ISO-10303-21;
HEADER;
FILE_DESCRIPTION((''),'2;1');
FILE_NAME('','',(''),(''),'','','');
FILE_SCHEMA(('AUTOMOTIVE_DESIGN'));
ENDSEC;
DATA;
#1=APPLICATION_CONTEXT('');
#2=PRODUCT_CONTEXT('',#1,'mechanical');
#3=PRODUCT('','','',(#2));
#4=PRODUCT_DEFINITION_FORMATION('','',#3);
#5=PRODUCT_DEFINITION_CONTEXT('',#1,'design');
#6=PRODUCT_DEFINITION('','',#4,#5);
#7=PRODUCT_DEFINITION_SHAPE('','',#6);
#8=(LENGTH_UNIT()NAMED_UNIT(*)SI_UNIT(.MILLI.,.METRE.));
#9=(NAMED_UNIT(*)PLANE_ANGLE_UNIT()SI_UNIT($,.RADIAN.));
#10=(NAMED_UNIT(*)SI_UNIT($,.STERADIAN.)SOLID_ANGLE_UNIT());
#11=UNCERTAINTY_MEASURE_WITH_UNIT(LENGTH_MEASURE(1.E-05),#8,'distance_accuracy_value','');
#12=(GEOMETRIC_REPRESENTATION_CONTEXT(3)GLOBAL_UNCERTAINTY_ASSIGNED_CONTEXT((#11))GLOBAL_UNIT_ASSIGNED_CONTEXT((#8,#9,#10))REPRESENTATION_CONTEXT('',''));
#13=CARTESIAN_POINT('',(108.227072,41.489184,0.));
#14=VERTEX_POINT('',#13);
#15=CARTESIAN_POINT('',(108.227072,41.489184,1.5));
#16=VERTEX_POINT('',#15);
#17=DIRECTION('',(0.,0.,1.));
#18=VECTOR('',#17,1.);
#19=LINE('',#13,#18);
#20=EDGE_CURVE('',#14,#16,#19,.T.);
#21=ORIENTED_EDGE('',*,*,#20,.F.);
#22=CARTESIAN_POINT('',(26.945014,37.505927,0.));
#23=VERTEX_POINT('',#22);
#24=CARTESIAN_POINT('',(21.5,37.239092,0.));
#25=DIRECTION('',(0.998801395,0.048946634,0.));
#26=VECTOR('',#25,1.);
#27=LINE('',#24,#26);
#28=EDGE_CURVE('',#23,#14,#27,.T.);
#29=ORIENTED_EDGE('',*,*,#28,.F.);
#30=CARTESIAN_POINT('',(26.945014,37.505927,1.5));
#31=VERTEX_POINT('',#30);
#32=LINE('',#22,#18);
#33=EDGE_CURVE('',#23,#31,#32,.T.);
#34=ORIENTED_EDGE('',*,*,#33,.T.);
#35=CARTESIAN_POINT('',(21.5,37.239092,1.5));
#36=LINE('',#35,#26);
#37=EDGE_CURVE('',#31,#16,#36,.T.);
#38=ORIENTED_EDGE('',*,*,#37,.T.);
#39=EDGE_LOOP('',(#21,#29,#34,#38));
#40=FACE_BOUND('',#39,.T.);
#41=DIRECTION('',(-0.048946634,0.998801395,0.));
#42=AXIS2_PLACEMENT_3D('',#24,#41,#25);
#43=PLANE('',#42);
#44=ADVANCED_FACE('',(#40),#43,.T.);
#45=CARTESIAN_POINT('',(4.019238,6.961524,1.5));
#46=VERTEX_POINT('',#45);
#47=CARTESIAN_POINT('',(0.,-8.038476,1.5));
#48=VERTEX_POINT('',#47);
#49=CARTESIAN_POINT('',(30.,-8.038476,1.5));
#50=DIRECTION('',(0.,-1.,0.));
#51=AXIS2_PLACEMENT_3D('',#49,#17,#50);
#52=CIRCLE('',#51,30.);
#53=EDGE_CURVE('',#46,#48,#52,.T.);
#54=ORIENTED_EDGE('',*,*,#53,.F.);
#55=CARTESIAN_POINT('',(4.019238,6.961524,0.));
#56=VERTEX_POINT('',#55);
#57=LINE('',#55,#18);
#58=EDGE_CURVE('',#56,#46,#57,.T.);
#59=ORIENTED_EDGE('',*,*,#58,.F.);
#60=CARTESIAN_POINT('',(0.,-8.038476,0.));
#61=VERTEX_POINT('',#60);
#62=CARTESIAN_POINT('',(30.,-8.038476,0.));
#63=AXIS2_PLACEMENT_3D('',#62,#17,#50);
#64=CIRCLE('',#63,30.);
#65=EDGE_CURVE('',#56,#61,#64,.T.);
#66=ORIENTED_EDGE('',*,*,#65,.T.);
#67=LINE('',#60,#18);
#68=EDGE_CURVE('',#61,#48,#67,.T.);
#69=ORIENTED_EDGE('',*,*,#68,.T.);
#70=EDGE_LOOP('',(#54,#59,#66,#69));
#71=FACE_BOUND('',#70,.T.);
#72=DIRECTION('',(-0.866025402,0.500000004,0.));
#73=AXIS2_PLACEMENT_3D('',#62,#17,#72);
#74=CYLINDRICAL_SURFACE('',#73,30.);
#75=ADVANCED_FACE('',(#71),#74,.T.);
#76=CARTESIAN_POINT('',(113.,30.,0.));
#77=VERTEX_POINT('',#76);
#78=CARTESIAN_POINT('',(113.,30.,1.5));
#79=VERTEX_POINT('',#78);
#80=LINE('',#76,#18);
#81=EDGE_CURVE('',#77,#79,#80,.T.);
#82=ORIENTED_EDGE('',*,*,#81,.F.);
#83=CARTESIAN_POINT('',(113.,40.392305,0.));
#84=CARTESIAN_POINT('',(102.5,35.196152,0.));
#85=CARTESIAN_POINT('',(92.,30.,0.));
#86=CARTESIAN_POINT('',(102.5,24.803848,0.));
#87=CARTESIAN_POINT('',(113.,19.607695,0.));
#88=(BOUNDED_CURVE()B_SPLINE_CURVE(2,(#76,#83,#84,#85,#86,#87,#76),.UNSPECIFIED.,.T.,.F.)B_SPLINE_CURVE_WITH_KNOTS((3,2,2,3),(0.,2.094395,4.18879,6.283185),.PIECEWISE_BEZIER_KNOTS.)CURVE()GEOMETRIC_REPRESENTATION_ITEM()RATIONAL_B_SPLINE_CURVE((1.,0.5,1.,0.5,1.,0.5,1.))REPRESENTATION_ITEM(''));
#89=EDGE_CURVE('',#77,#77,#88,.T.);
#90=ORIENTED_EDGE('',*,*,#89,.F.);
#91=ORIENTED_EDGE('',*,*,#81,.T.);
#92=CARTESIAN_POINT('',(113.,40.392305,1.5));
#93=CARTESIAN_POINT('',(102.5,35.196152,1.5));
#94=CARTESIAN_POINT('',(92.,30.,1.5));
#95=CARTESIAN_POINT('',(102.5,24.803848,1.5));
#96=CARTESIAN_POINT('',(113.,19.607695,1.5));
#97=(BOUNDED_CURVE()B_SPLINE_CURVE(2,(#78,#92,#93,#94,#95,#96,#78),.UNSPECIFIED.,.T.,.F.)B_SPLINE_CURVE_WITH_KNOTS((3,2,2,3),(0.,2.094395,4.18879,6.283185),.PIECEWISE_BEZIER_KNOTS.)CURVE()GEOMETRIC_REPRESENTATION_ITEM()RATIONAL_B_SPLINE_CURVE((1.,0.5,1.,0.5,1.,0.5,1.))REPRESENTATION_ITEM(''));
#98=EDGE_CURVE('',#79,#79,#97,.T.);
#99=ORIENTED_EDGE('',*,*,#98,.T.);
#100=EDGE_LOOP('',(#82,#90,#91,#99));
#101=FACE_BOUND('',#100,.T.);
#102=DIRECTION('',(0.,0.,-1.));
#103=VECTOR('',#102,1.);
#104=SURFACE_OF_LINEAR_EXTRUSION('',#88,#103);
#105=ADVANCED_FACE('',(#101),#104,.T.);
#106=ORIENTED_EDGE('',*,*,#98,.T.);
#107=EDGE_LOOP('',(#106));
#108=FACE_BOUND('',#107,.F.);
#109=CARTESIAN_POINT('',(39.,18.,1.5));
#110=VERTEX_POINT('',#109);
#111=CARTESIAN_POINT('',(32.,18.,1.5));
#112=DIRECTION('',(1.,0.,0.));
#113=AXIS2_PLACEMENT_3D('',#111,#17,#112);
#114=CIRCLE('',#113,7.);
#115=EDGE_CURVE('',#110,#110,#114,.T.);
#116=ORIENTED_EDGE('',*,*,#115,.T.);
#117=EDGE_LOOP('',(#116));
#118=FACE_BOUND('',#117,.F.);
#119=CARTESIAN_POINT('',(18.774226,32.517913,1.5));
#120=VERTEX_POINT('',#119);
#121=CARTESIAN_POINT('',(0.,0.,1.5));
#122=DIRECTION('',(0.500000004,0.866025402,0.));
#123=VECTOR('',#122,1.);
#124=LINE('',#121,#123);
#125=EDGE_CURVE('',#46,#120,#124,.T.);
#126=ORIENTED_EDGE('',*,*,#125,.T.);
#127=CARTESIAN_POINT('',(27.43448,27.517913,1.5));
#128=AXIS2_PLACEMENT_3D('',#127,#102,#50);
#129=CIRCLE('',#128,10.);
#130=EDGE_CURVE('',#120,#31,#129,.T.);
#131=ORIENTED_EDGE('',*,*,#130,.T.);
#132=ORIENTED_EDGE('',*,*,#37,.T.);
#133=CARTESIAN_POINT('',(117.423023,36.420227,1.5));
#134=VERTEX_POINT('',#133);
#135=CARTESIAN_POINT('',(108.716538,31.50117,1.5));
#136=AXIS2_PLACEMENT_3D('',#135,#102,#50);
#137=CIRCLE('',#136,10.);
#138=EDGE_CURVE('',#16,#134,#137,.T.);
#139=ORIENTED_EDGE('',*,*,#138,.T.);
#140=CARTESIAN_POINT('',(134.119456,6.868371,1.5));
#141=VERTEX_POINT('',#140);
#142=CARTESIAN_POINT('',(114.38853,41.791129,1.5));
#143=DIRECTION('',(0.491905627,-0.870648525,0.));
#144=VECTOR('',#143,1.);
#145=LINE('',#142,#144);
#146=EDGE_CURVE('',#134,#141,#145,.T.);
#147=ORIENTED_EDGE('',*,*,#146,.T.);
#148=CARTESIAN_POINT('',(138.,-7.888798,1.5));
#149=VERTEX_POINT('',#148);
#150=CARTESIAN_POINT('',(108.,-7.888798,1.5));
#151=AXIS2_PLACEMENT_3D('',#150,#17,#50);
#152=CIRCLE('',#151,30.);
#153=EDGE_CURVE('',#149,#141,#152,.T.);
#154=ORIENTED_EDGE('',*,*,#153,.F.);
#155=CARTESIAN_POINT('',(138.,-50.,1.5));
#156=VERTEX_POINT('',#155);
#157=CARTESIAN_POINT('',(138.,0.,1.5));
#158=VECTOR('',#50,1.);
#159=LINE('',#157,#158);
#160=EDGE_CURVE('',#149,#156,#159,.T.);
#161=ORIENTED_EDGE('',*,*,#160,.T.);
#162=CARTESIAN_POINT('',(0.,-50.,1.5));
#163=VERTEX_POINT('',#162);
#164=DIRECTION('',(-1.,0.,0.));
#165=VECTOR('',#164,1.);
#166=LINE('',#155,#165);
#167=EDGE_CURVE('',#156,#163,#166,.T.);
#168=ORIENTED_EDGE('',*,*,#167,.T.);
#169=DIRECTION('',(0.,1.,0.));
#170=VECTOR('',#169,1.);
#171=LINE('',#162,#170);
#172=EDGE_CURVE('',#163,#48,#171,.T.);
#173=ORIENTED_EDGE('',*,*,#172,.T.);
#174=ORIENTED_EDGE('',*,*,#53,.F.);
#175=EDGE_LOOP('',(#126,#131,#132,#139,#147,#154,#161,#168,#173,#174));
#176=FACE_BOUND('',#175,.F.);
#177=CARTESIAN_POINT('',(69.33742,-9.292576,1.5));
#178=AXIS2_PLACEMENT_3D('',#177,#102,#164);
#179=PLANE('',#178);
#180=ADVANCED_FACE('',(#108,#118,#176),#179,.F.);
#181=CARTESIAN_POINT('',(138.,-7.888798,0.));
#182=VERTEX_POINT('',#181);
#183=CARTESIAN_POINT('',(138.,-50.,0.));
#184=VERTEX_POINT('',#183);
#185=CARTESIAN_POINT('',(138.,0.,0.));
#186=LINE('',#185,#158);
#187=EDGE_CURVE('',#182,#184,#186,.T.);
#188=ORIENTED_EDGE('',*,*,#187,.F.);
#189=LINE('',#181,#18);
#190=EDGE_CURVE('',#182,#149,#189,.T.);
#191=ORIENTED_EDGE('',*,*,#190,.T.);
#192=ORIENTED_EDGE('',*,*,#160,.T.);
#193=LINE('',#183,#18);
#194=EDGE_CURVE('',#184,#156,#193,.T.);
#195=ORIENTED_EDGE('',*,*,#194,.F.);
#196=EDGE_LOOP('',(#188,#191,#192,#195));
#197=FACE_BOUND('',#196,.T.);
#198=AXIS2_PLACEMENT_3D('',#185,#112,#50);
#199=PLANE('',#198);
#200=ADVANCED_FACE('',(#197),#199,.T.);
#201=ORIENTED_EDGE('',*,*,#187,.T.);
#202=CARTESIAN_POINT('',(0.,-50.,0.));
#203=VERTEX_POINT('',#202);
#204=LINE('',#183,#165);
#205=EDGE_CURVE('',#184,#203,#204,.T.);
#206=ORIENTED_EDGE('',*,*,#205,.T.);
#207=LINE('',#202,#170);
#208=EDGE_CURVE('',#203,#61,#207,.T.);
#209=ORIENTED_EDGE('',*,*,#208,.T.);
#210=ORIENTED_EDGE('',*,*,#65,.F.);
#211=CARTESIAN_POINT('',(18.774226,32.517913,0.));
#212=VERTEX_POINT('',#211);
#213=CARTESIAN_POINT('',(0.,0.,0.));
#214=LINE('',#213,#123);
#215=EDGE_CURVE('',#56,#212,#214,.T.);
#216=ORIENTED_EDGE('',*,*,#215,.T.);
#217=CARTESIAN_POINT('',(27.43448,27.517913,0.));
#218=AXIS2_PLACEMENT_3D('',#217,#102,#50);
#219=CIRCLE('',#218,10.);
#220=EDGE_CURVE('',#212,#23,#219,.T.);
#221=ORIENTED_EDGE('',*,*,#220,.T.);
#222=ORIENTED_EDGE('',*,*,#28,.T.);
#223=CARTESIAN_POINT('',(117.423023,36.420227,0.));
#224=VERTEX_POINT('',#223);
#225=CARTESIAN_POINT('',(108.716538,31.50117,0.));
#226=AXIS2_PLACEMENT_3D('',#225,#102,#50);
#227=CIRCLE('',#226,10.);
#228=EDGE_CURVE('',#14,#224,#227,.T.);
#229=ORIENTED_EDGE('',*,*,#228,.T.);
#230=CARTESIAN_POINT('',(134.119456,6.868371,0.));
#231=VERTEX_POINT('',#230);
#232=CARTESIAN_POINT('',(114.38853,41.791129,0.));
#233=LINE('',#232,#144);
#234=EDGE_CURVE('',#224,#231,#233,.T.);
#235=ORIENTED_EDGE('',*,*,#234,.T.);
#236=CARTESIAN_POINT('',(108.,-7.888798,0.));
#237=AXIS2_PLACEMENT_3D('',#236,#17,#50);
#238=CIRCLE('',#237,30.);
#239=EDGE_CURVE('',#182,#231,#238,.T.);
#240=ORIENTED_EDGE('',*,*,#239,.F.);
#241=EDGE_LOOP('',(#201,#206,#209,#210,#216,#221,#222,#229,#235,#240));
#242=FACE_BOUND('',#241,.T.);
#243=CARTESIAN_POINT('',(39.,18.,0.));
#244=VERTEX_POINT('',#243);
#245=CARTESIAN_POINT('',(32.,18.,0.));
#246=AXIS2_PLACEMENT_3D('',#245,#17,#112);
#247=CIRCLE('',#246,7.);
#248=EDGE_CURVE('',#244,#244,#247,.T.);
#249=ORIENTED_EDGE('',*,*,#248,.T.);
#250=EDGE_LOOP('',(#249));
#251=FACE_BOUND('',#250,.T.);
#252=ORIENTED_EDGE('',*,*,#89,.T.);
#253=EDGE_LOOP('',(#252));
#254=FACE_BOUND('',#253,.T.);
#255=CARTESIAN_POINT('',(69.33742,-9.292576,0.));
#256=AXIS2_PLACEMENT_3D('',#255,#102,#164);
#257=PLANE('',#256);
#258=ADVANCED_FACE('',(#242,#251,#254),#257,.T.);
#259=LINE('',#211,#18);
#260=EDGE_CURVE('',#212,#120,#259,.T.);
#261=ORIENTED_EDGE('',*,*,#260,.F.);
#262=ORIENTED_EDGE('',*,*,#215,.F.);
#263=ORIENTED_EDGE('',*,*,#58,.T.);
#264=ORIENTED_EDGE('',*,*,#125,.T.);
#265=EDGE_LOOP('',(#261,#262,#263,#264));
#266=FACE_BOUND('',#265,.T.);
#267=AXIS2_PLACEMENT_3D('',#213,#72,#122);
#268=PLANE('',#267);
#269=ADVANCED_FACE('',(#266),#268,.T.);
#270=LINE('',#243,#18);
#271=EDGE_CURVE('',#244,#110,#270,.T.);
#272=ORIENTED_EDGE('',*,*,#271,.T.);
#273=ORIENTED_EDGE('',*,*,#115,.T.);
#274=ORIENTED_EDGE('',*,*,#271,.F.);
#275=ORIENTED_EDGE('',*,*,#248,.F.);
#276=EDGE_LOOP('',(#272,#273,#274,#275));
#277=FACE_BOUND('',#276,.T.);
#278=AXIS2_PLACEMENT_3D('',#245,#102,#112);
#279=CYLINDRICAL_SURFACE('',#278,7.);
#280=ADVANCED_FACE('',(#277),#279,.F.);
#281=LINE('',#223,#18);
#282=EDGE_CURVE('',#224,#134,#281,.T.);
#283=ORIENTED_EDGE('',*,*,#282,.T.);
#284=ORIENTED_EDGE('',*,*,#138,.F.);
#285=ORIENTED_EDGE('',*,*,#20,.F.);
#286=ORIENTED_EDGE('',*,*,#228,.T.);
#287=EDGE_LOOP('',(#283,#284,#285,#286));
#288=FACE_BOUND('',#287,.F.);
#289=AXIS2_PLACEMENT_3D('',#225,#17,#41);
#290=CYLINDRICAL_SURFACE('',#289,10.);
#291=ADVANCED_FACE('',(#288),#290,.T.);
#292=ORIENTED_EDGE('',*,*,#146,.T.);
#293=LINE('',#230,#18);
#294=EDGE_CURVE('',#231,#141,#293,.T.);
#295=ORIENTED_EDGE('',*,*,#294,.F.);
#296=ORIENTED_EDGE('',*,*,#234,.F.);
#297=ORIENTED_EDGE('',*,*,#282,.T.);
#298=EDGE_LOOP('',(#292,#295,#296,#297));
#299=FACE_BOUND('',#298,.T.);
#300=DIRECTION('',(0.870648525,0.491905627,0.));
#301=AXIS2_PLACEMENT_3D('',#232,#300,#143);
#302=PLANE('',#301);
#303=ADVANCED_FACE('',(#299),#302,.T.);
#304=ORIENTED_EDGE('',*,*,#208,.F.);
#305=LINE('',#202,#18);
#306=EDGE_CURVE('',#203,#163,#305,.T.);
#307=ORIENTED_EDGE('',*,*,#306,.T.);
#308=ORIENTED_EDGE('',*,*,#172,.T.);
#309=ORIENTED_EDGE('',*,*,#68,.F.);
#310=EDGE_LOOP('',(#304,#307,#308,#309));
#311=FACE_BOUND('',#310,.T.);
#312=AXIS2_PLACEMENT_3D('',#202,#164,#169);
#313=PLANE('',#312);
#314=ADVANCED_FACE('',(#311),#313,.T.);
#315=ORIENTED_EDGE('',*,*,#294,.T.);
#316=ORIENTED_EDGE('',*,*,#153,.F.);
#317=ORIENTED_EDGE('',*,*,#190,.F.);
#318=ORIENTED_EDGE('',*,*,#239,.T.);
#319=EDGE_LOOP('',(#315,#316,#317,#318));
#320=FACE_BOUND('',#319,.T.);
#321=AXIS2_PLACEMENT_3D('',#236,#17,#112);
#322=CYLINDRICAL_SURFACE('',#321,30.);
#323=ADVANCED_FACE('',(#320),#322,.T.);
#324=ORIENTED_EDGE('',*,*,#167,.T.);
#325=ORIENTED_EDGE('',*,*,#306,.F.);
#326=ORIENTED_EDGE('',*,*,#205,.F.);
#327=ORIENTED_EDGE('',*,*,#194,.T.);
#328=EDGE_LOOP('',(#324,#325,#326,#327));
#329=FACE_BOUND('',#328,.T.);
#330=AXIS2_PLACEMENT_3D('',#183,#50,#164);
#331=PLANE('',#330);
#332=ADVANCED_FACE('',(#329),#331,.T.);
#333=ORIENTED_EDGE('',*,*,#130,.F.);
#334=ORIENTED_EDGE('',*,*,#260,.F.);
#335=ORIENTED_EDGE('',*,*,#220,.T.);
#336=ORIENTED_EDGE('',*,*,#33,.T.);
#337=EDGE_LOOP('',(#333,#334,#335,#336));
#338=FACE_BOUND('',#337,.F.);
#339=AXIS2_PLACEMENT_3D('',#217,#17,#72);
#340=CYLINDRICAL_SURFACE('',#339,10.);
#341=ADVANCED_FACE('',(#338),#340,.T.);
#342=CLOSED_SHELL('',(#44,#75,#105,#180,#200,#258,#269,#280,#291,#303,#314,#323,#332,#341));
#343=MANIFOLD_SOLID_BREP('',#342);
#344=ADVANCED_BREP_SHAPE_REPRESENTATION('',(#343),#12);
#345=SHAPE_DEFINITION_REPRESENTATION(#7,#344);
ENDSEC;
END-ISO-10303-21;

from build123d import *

# Parameters (mm, degrees)
SKETCH_R    = 7
PAD_DEPTH   = 1.5
FILLET_R    = 10
FILLET001_R = 30


with BuildPart() as part:
    # Sketch → Pad (new body)
    with BuildSketch(Plane.XY):
        Polygon((0, -50), (0, 0), (21.5, 37.239092), (114.38853, 41.791129), (138, 0), (138, -50), align=None)
        with Locations((32, 18)):
            Circle(SKETCH_R, mode=Mode.SUBTRACT)
        with BuildLine():
            add(Edge.make_bspline(
                [(113, 30), (113, 40.392305), (102.5, 35.196152), (92, 30), (102.5, 24.803848), (113, 19.607695), (113, 30)],
                knots=[0, 0, 0, 2.094395, 2.094395, 4.18879, 4.18879, 6.283185, 6.283185, 6.283185], degree=2, weights=[1, 0.5, 1, 0.5, 1, 0.5, 1]))
        make_face(mode=Mode.SUBTRACT)
    extrude(amount=PAD_DEPTH)

    # Fillet
    fillet_edges = [part.edges().sort_by_distance(p)[0] for p in [
        (21.5, 37.239092, 0.75),
        (114.38853, 41.791129, 0.75),
    ]]
    fillet(fillet_edges, radius=FILLET_R)

    # Fillet001
    fillet001_edges = [part.edges().sort_by_distance(p)[0] for p in [
        (138, 0, 0.75),
        (0, 0, 0.75),
    ]]
    fillet(fillet001_edges, radius=FILLET001_R)


solid = part.part
